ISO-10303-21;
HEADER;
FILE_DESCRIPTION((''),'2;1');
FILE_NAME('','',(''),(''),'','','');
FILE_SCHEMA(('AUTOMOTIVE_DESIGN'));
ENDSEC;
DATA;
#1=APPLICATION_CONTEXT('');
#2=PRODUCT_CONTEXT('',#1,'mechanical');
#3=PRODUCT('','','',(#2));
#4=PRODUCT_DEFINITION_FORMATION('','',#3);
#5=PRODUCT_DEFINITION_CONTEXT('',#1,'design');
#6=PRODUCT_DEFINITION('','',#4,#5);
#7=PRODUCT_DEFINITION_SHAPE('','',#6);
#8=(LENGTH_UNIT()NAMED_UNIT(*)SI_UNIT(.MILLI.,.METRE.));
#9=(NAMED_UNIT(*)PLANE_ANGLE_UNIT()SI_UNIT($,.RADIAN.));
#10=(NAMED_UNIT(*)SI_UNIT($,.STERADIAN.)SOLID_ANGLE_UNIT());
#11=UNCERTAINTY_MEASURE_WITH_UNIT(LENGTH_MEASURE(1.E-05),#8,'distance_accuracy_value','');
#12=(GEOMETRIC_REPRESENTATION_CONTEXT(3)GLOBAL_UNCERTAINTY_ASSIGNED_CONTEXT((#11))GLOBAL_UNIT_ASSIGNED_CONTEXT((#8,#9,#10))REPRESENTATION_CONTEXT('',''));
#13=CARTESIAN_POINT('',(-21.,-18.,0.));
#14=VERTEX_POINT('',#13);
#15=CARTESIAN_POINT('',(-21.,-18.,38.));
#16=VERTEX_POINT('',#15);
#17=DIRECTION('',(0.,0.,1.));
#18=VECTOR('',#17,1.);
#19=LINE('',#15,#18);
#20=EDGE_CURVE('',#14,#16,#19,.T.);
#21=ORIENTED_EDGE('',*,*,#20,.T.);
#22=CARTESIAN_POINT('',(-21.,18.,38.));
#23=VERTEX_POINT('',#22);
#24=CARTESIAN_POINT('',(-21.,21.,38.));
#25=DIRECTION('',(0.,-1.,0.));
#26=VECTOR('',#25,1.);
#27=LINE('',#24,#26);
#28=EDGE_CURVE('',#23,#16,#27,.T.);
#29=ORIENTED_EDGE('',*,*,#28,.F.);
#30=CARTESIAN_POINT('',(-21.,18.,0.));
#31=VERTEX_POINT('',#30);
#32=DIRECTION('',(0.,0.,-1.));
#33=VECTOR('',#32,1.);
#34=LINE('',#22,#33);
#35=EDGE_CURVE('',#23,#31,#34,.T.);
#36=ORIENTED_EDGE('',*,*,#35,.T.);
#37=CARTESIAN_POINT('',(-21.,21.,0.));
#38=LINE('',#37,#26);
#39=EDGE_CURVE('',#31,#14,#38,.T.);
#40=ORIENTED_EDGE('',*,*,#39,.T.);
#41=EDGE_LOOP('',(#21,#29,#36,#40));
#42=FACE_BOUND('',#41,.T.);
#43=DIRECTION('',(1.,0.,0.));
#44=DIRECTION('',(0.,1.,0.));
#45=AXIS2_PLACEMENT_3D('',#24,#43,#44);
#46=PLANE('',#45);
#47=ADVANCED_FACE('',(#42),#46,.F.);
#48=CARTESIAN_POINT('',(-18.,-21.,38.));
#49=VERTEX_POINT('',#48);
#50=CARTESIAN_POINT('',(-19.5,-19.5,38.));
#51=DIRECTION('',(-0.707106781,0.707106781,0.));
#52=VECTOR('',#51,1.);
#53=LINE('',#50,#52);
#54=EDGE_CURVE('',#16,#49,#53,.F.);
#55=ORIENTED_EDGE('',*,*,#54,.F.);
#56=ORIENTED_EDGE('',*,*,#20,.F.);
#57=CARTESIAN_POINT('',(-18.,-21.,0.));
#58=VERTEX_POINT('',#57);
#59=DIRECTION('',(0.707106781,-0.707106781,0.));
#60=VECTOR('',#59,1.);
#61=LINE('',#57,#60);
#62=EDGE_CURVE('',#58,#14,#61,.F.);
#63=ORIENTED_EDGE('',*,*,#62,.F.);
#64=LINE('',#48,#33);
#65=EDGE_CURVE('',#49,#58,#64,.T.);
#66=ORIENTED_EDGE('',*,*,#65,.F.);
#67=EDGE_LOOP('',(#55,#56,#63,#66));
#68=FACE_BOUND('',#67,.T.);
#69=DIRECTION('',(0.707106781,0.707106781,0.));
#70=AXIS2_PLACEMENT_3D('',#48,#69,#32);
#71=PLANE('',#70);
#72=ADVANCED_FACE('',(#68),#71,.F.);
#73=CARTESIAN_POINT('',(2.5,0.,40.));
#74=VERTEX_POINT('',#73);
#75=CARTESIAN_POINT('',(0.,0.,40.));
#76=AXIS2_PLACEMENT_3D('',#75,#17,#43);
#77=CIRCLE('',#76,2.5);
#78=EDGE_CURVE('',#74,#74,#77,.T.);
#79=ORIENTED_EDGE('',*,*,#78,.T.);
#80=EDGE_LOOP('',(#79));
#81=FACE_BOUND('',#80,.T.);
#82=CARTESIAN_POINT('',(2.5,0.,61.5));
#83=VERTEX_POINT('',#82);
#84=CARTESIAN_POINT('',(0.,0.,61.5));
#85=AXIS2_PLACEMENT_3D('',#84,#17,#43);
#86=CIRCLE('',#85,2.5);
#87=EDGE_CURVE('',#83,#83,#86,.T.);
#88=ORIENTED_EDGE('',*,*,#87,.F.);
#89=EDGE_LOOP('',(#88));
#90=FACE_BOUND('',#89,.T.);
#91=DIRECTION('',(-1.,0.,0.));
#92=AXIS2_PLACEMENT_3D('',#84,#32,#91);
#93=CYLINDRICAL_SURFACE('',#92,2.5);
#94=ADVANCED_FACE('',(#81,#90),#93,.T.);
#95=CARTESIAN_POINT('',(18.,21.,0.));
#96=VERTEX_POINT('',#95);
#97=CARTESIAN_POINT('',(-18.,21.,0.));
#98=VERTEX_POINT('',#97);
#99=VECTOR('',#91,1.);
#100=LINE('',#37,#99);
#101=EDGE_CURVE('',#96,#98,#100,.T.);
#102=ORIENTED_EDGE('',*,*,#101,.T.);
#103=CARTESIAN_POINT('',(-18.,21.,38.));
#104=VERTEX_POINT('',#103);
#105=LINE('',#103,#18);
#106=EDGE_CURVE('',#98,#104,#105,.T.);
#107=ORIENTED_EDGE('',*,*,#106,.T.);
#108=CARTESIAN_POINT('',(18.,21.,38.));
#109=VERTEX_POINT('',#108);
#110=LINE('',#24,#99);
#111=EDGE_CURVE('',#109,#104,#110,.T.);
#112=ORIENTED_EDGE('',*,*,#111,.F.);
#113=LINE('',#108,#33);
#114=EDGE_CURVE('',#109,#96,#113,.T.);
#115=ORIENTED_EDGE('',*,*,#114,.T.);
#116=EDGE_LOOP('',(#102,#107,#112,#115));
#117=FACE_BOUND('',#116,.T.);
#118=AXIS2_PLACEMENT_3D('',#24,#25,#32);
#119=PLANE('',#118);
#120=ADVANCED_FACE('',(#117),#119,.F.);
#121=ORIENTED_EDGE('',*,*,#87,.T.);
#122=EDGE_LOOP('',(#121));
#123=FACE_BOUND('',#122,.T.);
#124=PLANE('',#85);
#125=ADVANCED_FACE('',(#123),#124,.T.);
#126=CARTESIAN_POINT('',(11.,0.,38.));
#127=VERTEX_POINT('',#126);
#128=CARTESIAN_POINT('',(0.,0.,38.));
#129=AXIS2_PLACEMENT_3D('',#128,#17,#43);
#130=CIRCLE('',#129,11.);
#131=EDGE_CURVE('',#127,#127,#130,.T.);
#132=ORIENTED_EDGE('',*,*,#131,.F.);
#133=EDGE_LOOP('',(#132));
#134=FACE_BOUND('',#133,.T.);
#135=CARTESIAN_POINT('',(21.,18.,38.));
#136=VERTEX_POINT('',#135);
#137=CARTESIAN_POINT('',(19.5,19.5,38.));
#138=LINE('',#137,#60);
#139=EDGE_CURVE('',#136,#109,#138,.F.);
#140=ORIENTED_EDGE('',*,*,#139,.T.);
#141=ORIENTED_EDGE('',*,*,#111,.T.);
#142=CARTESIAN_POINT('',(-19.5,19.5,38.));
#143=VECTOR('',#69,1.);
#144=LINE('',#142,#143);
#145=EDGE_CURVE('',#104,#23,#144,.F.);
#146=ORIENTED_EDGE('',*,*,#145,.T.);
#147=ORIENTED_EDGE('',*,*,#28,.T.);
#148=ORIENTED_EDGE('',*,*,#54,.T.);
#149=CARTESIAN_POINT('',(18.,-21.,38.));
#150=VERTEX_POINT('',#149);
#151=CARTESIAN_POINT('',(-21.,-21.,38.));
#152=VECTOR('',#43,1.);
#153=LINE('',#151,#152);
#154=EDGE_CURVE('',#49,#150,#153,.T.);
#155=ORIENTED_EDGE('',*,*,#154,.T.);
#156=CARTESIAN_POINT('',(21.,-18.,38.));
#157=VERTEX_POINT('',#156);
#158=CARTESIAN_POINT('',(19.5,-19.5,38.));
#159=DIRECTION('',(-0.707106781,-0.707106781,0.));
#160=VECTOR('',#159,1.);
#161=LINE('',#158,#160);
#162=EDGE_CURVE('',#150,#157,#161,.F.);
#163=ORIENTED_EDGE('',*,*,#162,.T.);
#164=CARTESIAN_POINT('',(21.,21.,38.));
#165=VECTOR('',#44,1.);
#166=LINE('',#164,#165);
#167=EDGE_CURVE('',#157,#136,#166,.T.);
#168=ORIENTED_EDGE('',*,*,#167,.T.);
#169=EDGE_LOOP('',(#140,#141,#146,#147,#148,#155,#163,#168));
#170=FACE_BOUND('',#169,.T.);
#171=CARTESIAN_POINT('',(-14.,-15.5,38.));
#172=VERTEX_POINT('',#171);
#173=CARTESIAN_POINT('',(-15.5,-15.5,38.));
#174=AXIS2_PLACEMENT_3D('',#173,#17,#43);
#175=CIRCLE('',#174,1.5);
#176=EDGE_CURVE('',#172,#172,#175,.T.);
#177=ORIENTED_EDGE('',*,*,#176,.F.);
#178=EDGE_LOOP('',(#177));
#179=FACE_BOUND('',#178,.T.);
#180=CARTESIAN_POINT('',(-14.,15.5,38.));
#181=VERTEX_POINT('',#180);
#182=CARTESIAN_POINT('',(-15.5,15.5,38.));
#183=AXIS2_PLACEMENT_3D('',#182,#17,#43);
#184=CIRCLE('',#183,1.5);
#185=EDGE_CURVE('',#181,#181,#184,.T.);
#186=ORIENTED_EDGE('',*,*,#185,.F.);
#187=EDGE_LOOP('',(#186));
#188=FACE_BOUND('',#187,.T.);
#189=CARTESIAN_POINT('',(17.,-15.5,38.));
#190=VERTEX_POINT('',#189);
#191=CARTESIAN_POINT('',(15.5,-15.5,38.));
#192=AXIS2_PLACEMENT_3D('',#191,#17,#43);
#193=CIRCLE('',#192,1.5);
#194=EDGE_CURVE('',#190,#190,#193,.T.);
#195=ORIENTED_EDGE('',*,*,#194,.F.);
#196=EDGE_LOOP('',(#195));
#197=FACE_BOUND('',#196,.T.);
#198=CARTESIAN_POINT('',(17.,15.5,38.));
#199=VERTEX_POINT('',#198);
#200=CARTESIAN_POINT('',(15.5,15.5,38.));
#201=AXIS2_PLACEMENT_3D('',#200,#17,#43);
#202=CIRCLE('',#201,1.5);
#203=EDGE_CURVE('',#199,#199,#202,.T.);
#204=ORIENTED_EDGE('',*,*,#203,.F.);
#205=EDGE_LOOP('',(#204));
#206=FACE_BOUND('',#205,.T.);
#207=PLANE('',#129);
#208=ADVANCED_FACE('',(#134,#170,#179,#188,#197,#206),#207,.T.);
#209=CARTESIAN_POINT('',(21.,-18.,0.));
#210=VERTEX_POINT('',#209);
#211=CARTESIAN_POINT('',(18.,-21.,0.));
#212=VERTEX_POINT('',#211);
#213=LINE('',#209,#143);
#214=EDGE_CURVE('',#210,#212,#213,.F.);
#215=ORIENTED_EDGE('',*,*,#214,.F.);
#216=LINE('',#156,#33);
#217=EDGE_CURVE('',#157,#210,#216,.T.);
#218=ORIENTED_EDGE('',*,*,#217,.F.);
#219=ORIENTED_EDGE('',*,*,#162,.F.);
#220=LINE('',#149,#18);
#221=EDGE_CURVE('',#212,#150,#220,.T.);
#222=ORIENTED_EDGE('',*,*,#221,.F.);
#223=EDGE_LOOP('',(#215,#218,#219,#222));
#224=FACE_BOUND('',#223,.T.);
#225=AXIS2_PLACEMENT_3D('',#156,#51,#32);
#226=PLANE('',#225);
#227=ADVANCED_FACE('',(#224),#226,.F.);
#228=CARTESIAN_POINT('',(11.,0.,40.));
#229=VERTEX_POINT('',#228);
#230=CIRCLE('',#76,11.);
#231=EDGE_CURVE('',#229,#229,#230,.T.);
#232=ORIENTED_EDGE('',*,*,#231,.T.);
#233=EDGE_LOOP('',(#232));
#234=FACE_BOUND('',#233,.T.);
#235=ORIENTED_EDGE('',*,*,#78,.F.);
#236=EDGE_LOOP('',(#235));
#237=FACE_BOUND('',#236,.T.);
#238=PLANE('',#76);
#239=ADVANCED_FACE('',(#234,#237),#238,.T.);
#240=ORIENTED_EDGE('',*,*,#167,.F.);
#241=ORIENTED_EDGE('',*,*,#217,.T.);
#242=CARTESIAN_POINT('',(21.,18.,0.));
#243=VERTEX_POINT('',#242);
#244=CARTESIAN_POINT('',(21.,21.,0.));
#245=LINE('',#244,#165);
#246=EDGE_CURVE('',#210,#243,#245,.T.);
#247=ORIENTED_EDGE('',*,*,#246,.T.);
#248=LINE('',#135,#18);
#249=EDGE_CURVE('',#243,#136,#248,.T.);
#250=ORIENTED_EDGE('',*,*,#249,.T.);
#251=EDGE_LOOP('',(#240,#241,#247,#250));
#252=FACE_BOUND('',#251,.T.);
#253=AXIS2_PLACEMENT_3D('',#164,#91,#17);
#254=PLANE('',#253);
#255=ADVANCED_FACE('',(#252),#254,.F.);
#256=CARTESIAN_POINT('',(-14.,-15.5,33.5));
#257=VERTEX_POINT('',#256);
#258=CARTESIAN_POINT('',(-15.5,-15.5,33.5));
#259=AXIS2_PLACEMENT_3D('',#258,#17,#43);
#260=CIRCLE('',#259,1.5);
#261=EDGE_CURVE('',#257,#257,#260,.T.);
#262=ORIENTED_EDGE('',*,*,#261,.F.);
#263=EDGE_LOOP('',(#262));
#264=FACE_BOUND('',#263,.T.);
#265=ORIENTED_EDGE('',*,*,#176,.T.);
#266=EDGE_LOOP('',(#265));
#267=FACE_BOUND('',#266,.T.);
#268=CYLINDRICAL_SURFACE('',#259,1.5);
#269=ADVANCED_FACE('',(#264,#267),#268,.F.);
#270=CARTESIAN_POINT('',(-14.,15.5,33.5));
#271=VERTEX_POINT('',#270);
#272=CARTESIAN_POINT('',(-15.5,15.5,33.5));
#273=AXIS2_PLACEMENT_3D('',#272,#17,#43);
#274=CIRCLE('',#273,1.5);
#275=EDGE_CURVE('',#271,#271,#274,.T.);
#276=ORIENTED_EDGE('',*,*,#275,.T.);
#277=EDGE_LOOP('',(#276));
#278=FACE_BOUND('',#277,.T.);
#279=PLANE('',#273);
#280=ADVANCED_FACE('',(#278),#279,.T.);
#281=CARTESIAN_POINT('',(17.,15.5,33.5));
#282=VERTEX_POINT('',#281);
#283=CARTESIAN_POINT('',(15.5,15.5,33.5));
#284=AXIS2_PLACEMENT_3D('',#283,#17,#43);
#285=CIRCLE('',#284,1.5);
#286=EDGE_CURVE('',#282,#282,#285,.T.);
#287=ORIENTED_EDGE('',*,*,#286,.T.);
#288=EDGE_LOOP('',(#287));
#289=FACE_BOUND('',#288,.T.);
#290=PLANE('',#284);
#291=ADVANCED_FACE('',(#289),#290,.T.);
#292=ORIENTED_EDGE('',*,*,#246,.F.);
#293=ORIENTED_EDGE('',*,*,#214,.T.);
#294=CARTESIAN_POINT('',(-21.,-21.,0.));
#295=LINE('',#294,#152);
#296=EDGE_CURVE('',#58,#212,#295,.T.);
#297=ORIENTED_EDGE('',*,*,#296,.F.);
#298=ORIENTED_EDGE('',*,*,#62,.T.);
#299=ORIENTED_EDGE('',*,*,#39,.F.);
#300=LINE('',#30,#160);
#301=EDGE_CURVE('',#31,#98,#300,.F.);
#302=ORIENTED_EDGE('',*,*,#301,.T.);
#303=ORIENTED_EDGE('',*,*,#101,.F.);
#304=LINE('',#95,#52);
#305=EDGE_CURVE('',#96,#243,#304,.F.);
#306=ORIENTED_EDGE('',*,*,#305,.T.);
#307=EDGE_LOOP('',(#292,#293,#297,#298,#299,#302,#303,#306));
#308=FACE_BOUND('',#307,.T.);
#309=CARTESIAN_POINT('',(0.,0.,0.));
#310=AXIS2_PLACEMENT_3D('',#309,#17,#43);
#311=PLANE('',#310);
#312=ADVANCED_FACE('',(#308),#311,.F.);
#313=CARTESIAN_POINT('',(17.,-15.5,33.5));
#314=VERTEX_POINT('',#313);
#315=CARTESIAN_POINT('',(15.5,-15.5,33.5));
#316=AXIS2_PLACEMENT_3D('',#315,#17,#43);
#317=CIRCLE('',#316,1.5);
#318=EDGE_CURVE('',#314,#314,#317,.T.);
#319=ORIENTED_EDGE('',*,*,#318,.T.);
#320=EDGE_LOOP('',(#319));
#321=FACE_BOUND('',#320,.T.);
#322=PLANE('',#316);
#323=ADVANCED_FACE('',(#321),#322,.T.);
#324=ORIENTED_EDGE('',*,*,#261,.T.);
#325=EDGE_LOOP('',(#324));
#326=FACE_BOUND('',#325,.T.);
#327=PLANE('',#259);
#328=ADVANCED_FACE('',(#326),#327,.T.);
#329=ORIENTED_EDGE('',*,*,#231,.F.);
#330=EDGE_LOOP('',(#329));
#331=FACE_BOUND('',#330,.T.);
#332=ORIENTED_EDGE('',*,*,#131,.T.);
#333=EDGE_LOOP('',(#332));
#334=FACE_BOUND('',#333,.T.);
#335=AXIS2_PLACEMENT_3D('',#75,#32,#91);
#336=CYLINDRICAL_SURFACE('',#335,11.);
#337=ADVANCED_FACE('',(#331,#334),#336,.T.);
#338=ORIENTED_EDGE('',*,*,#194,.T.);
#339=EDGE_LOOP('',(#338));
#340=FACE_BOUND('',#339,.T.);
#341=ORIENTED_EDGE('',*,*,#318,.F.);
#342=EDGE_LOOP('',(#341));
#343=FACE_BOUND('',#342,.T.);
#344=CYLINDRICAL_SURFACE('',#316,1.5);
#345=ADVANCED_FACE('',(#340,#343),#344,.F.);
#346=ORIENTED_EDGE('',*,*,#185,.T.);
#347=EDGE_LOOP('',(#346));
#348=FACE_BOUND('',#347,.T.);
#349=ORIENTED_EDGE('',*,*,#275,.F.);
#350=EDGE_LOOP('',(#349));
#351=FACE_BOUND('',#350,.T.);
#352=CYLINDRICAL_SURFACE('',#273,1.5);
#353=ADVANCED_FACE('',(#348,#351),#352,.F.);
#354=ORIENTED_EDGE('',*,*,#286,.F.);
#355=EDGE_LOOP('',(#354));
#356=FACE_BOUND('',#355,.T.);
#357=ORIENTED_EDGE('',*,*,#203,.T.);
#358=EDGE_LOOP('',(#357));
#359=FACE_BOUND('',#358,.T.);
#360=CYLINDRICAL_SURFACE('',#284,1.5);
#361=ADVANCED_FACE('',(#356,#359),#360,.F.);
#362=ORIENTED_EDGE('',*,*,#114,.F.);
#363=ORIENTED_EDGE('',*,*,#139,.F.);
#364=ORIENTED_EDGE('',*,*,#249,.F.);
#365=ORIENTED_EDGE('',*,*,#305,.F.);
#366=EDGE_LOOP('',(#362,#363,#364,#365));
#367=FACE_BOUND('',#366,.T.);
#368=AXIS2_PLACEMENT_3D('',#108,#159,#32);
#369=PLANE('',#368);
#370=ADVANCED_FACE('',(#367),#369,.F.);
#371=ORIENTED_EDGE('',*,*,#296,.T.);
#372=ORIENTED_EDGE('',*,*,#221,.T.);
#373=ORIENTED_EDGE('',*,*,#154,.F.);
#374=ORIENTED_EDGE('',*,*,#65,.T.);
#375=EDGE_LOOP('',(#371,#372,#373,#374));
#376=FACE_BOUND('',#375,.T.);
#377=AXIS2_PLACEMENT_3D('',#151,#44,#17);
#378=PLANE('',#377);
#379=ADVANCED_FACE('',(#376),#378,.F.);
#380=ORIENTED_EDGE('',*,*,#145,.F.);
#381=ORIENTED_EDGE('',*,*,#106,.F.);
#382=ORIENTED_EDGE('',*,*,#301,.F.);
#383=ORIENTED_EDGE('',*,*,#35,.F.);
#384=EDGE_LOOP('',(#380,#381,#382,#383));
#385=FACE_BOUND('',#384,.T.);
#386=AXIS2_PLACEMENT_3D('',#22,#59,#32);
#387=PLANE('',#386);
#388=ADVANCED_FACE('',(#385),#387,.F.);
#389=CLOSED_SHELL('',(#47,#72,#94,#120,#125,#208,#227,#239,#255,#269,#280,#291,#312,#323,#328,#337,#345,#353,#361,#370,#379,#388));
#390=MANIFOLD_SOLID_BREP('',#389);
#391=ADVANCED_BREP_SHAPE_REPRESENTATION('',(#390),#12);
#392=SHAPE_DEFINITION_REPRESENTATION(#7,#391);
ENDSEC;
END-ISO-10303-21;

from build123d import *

# Parameters (mm, degrees)
SKETCH1_W           = 42
SKETCH1_H           = 42
BOSS_EXTRUDE1_DEPTH = 38
SKETCH2_R           = 11
BOSS_EXTRUDE2_DEPTH = 2
SKETCH3_R           = 2.5
BOSS_EXTRUDE3_DEPTH = 21.5
SKETCH4_R           = 1.5
CUT_EXTRUDE1_DEPTH  = 4.5
CHAMFER1_SIZE       = 3


with BuildPart() as part:
    # Sketch1 → Boss-Extrude1 (new body)
    with BuildSketch(Plane.XY):
        Rectangle(SKETCH1_W, SKETCH1_H)
    extrude(amount=BOSS_EXTRUDE1_DEPTH)

    # Sketch2 → Boss-Extrude2 (add)
    with BuildSketch(Plane.XY.offset(38)):
        Circle(SKETCH2_R)
    extrude(amount=BOSS_EXTRUDE2_DEPTH)

    # Sketch3 → Boss-Extrude3 (add)
    with BuildSketch(Plane.XY.offset(40)):
        Circle(SKETCH3_R)
    extrude(amount=BOSS_EXTRUDE3_DEPTH)

    # Sketch4 → Cut-Extrude1 (cut)
    with BuildSketch(Plane.XY.offset(38)):
        with Locations((15.5, 15.5)):
            Circle(SKETCH4_R)
        with Locations((15.5, -15.5)):
            Circle(SKETCH4_R)
        with Locations((-15.5, -15.5)):
            Circle(SKETCH4_R)
        with Locations((-15.5, 15.5)):
            Circle(SKETCH4_R)
    extrude(amount=-CUT_EXTRUDE1_DEPTH, mode=Mode.SUBTRACT)

    # Chamfer1
    chamfer1_edges = [part.edges().sort_by_distance(p)[0] for p in [
        (21, -21, 19),
        (-21, -21, 19),
        (-21, 21, 19),
        (21, 21, 19),
    ]]
    chamfer(chamfer1_edges, length=CHAMFER1_SIZE)


solid = part.part
